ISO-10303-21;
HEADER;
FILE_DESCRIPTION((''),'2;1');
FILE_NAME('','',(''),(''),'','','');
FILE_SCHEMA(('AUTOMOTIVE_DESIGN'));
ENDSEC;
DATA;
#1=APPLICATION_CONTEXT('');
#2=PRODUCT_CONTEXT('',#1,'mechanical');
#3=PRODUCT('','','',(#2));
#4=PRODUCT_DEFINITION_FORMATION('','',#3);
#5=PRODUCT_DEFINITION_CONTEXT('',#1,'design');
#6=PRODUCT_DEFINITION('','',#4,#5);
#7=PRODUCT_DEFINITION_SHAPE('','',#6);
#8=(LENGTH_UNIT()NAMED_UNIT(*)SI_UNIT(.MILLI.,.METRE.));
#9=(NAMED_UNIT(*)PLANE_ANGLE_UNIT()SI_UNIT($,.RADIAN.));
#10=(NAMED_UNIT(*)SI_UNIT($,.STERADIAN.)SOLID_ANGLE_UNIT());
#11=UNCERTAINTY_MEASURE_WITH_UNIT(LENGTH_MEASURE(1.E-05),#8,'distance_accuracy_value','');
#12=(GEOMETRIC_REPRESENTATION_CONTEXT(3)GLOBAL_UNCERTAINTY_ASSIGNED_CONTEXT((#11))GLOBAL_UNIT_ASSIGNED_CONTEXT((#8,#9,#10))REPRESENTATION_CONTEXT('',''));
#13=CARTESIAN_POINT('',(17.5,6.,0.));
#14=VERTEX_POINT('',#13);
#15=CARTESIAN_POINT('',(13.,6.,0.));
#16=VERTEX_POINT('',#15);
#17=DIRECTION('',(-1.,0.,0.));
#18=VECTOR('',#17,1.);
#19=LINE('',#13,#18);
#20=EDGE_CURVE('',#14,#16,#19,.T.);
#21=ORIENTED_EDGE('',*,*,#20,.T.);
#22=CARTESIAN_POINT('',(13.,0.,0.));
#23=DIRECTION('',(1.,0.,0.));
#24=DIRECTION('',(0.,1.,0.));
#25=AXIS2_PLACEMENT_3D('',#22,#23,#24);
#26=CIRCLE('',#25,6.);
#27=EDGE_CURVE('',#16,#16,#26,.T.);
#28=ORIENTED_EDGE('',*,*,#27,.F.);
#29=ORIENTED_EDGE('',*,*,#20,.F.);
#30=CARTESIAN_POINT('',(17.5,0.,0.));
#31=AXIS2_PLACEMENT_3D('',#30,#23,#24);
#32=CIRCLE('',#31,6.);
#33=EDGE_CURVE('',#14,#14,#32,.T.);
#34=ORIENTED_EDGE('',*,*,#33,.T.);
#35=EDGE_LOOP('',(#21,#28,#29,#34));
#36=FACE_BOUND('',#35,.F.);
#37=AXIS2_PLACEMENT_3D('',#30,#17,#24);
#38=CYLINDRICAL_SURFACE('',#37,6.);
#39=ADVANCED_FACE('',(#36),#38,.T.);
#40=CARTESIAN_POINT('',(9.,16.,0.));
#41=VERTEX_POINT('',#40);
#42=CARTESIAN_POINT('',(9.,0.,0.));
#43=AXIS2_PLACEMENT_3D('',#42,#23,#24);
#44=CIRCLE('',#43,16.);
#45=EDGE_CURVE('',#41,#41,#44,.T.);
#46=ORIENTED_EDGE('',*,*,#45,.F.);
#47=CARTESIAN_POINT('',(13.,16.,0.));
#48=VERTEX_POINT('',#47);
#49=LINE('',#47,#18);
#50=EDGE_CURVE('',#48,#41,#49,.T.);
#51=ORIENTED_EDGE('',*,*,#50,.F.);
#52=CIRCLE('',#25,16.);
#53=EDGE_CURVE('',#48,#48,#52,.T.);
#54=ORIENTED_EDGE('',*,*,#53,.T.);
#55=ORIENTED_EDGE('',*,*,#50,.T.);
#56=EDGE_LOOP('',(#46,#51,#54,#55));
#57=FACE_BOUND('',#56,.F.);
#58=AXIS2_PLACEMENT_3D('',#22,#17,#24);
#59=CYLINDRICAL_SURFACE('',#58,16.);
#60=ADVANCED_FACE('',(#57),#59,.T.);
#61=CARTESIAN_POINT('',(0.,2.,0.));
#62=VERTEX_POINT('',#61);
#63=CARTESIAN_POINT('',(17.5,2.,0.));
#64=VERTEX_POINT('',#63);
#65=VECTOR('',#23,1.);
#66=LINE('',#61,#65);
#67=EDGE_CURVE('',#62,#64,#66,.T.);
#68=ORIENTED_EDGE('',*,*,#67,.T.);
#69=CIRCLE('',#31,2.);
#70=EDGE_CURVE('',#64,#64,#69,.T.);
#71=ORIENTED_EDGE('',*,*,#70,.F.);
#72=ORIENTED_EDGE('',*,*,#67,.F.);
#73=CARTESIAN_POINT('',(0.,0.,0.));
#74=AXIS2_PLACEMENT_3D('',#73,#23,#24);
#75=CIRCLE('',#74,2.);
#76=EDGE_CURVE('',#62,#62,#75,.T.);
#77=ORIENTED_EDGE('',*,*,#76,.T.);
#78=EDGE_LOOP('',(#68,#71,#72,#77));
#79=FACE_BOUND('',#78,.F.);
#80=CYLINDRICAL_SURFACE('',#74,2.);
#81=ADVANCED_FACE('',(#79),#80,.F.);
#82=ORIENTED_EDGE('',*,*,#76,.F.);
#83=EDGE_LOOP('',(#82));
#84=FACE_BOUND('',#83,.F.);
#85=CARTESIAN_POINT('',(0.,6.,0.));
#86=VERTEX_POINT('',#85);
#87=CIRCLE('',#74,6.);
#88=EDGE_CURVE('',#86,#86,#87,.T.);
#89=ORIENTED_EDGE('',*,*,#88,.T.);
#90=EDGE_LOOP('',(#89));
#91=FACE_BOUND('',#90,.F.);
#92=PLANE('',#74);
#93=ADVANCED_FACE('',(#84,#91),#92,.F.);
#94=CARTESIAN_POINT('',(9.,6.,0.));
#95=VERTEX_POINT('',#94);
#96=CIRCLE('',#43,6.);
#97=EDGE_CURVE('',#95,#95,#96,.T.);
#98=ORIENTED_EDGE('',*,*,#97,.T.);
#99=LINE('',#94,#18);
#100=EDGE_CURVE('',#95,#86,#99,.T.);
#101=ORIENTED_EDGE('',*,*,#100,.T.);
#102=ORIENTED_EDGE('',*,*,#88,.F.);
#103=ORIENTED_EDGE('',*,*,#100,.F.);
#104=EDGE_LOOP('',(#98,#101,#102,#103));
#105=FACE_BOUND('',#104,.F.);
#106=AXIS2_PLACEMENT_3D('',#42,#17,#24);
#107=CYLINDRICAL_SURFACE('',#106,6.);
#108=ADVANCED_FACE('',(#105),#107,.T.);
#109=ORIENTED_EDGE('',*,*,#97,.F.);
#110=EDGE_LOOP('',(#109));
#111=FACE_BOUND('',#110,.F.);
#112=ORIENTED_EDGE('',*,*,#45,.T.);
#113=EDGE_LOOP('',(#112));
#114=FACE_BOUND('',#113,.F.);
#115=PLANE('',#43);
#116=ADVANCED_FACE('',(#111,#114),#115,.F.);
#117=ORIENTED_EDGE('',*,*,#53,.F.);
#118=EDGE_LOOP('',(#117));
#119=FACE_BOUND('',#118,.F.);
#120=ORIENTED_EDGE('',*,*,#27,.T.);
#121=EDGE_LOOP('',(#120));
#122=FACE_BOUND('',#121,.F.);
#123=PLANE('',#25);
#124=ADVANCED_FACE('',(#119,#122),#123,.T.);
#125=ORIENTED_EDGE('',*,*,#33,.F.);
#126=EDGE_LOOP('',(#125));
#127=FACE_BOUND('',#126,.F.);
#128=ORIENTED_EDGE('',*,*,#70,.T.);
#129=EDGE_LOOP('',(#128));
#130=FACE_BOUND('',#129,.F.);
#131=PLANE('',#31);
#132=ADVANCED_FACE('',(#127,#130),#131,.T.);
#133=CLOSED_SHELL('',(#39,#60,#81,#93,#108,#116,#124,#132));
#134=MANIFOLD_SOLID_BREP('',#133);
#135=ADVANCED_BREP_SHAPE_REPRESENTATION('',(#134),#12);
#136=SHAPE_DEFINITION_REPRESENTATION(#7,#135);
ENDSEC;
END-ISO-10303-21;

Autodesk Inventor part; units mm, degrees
ref_plane "YZ Plane" through (0, 0, 0) normal (1, 0, 0) x (0, 1, 0)
ref_plane "XZ Plane" through (0, 0, 0) normal (0, 1, 0) x (-1, 0, 0)
ref_plane "XY Plane" through (0, 0, 0) normal (0, 0, 1) x (1, 0, 0)
sketch "Skizze1" plane through (0, 0, 0) normal (0, 0, 1) x (1, 0, 0)
  line L0 (0, 0) -> (16.2131, 0)
  line L1 (0, 2) -> (17.5, 2)
  line L2 (17.5, 2) -> (17.5, 6)
  line L3 (17.5, 6) -> (13, 6)
  line L4 (13, 6) -> (13, 16)
  line L5 (13, 16) -> (9, 16)
  line L6 (9, 16) -> (9, 6)
  line L7 (9, 6) -> (0, 6)
  line L8 (0, 6) -> (0, 2)
  dimension "d0" = 4
  dimension "d1" = 9
  dimension "d2" = 2
  dimension "d3" = 4.5
  dimension "d4" = 10
  dimension "d5" = 0
  dimension "d6" = 4
  dimension "d8" = 1.2869
revolve "Umdrehung1" add sketch "Skizze1" angle 360 about axis through (0, 0, 0) along (1, 0, 0)
properties part number "Kupplung"
